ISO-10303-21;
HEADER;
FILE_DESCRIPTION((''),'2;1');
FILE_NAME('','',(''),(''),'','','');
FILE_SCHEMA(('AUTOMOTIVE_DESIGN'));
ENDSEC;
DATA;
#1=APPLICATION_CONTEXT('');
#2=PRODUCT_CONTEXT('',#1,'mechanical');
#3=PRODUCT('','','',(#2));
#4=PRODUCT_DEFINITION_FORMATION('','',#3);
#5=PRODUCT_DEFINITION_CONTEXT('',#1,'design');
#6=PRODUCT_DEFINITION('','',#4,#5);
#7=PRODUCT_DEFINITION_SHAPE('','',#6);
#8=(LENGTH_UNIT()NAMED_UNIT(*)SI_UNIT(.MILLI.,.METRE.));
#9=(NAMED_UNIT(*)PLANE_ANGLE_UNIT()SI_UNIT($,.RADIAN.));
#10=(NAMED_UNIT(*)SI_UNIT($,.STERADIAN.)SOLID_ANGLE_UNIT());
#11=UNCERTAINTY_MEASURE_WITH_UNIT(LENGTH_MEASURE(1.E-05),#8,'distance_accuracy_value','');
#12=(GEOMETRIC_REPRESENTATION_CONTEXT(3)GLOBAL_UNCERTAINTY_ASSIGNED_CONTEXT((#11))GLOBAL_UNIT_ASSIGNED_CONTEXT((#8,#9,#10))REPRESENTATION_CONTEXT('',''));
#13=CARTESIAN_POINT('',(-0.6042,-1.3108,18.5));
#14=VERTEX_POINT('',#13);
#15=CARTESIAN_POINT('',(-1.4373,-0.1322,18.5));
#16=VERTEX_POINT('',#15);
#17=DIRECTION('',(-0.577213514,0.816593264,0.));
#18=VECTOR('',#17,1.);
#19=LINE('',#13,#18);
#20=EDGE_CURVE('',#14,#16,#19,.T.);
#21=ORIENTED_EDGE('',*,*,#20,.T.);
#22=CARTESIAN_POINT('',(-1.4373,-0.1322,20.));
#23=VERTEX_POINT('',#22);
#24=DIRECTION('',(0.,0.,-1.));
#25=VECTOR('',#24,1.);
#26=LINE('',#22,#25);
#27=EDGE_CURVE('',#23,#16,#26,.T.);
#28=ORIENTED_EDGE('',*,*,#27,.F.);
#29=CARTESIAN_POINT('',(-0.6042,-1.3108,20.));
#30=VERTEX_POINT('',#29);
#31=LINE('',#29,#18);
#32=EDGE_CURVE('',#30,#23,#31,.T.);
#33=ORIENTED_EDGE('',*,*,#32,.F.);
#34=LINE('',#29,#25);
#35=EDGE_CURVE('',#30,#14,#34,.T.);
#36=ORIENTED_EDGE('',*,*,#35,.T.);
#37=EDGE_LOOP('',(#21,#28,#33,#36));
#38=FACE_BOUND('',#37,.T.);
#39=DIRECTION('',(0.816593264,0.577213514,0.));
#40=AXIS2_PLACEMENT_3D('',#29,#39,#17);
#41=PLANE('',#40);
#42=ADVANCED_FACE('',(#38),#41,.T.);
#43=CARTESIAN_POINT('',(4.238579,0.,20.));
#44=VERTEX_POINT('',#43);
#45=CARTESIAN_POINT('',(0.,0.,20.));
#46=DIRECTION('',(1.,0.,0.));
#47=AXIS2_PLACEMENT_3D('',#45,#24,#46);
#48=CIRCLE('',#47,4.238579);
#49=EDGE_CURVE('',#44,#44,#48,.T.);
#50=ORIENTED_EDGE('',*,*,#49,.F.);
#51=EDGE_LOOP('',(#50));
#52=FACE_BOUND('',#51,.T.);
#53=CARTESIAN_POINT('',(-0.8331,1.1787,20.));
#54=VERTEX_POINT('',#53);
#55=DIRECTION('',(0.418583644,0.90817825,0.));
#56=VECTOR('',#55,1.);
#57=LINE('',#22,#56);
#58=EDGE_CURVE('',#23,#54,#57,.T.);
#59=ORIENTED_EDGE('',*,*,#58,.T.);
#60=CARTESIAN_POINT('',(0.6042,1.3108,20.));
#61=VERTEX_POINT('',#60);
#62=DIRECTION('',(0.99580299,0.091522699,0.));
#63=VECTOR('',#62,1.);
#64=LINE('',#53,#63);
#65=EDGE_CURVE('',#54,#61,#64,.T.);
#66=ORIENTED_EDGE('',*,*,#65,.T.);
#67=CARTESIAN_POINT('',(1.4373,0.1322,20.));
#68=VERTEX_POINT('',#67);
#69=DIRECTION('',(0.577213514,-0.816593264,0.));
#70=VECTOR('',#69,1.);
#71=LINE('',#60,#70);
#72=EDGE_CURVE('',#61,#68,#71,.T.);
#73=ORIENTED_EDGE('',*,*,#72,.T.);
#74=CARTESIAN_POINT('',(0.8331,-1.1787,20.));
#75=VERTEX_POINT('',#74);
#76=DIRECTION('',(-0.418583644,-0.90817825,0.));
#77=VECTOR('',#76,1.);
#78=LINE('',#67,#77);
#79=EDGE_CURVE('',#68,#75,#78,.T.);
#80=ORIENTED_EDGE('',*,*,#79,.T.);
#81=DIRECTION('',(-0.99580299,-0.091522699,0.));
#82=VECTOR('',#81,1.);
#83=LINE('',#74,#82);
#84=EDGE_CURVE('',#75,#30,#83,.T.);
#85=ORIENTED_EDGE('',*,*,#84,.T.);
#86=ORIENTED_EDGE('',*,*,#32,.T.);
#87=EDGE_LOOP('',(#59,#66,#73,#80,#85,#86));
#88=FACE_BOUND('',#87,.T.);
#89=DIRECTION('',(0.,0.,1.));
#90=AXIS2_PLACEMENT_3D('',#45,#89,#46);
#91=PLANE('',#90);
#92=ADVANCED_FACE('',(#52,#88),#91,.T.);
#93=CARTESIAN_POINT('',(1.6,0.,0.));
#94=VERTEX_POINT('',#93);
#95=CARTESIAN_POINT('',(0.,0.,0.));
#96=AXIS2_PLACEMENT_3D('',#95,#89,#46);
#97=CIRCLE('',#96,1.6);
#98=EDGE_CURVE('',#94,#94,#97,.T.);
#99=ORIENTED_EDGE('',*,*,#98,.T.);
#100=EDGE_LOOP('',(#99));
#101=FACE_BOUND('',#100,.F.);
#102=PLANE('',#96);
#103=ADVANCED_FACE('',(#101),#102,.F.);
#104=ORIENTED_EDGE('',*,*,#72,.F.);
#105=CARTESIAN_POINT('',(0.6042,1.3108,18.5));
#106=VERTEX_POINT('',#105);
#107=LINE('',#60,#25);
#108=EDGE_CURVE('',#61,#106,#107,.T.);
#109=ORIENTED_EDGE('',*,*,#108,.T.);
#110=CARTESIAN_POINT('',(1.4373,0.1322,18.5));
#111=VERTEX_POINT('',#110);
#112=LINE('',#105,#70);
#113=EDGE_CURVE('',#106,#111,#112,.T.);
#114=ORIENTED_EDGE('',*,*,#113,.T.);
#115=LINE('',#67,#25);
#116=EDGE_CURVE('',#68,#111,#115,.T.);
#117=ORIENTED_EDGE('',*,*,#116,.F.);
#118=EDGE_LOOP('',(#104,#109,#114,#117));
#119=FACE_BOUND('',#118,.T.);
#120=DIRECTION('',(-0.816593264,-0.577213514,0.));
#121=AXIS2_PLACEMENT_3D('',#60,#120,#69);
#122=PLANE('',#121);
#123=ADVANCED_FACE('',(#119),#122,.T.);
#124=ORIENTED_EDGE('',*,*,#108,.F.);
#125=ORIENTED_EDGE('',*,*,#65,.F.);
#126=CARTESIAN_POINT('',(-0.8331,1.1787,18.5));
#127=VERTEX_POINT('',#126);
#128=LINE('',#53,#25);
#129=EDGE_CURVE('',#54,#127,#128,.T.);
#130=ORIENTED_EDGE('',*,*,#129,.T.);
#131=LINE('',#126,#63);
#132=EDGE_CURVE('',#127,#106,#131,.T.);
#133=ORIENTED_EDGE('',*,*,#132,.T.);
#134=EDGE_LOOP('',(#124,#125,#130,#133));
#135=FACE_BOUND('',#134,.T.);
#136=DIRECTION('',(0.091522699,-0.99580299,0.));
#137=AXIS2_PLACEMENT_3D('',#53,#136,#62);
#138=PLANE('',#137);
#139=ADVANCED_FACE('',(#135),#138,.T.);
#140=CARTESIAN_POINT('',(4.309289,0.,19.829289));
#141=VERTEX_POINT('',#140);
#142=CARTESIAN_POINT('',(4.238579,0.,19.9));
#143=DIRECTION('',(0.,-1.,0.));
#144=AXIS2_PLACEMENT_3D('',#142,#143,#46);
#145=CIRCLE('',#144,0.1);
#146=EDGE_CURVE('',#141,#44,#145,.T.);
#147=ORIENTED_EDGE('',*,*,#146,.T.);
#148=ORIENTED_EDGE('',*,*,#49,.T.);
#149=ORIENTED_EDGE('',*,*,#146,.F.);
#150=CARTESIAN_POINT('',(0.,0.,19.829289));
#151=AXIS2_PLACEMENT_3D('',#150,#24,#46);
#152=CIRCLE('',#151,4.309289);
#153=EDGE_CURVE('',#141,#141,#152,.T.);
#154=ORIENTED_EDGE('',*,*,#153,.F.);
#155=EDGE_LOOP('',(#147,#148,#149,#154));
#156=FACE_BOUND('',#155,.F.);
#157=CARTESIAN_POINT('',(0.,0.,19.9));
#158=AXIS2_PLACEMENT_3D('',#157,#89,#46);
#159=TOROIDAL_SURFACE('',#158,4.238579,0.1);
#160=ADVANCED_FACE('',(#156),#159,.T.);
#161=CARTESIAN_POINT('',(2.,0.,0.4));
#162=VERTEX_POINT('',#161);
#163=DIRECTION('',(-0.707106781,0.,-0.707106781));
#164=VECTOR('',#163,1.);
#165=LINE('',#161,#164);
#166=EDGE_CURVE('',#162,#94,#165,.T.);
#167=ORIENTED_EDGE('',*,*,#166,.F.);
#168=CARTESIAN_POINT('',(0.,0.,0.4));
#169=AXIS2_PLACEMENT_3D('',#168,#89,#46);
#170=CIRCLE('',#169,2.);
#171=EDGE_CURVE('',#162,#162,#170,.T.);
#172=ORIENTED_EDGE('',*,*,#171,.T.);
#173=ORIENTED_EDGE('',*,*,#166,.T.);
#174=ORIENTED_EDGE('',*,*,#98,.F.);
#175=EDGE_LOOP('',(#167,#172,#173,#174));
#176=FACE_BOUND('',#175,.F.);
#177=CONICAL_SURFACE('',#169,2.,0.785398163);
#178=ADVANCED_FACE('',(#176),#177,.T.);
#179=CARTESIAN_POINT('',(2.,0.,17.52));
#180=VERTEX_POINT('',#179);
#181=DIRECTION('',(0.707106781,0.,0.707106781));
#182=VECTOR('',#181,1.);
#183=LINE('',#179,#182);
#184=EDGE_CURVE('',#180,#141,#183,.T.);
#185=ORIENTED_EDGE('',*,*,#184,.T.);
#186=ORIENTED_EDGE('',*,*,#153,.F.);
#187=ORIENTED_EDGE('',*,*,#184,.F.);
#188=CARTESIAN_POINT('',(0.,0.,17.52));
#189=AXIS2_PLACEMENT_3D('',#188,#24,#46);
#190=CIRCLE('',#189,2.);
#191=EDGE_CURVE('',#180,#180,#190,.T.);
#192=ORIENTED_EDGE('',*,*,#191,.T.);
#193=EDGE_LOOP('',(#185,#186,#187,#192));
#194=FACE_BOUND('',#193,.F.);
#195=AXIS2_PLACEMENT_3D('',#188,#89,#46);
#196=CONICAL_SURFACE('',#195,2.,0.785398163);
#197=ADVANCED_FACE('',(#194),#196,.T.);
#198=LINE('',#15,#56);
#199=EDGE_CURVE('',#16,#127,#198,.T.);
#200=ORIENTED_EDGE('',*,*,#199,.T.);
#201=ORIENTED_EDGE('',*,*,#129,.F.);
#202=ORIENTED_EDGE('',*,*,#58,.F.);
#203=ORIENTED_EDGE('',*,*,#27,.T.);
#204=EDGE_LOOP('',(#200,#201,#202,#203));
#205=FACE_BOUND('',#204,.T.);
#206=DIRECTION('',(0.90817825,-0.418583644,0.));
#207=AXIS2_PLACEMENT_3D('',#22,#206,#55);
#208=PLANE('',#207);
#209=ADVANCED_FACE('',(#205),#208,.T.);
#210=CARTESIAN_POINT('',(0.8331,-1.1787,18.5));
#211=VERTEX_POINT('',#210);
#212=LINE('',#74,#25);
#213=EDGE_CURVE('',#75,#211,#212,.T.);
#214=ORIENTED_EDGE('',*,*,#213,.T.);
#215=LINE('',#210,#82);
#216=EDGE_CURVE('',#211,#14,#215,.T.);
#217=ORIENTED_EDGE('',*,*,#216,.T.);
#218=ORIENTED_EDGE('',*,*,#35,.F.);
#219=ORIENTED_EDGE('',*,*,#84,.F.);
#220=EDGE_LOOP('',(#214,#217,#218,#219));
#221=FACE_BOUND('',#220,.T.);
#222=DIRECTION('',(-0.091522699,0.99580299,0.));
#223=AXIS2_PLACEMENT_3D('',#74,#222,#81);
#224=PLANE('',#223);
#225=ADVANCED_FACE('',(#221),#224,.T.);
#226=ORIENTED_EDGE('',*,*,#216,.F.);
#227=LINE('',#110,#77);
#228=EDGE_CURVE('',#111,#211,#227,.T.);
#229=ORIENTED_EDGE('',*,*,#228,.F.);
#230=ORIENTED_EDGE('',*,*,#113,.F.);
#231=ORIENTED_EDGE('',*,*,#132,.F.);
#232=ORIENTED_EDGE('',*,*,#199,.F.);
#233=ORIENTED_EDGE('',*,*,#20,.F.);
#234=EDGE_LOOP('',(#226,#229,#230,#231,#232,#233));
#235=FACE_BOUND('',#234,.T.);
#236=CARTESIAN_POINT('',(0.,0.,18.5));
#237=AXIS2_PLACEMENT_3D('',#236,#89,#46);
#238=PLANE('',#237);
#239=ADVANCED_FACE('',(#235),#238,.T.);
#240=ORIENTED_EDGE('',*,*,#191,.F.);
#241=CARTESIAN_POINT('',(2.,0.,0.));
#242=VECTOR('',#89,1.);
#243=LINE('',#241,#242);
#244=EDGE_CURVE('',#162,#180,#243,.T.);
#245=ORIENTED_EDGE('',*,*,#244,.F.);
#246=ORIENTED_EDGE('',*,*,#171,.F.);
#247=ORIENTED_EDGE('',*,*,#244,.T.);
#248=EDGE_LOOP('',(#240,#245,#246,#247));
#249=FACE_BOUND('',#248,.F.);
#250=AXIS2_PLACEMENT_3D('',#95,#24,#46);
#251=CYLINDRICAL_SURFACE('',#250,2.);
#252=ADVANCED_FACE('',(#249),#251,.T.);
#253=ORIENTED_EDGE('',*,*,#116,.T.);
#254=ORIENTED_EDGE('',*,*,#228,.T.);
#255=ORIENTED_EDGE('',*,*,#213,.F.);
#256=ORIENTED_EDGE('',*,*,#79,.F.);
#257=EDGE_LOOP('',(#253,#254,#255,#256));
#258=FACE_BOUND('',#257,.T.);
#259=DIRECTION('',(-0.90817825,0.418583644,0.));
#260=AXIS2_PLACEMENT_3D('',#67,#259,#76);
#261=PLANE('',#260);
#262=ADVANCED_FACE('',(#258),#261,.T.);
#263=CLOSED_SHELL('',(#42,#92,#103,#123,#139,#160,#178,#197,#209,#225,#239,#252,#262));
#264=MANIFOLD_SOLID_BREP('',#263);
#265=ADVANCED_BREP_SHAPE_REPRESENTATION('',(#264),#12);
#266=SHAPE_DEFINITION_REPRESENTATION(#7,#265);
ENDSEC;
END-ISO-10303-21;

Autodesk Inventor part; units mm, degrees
ref_plane "YZ Plane" through (0, 0, 0) normal (1, 0, 0) x (0, 1, 0)
ref_plane "XZ Plane" through (0, 0, 0) normal (0, 1, 0) x (-1, 0, 0)
ref_plane "XY Plane" through (0, 0, 0) normal (0, 0, 1) x (1, 0, 0)
sketch "Sketch1" plane through (0, 0, 0) normal (0, 0, 1) x (1, 0, 0)
  circle A0 centre (0, 0) radius 2
  dimension "Diameter" = 4
extrude "Extrusion1" add sketch "Sketch1" along normal blind 17.52
sketch "Sketch2" plane through (0, 0, 17.52) normal (0, 0, 1) x (1, 0, 0)
  circle A0 centre (0, 0) radius 2 projected
extrude "Extrusion2" add sketch "Sketch2" along normal blind 2.48 draft 45
sketch "Sketch3" plane through (0, 0, 20) normal (0, 0, 1) x (1, 0, 0)
  circle A0 centre (0, 0) radius 4.48 projected
  circle A1 centre (0, 0) radius 1.4434 construction
  line L0 (0.6042, 1.3108) -> (1.4373, 0.1322)
  line L1 (1.4373, 0.1322) -> (0.8331, -1.1787)
  line L2 (0.8331, -1.1787) -> (-0.6042, -1.3108)
  line L3 (-0.6042, -1.3108) -> (-1.4373, -0.1322)
  line L4 (-1.4373, -0.1322) -> (-0.8331, 1.1787)
  line L5 (-0.8331, 1.1787) -> (0.6042, 1.3108)
  dimension "Hex_Width" = 2.5
extrude "Extrusion3" cut sketch "Sketch3" against normal blind 1.5 contours L0 L1 L2 L3 L4 L5
thread "Thread1" size "M4x0.7" class "4g6g" standard "ANSI Metric M Profile" length 17.52
chamfer "Chamfer2" distance 0.4 angle 45 1 edges at (-2, 0, 0)
fillet "Fillet1" radius 0.1 1 edges at (-4.48, 0, 20)
equation "\"d13\" = Chamfer"
equation "\"Thread_Length\" = 7.52"
equation "\"Chamfer\" = 0.4"
properties part number "SCREW, FLAT HD, P, 12_9, M4X0_7X20"
